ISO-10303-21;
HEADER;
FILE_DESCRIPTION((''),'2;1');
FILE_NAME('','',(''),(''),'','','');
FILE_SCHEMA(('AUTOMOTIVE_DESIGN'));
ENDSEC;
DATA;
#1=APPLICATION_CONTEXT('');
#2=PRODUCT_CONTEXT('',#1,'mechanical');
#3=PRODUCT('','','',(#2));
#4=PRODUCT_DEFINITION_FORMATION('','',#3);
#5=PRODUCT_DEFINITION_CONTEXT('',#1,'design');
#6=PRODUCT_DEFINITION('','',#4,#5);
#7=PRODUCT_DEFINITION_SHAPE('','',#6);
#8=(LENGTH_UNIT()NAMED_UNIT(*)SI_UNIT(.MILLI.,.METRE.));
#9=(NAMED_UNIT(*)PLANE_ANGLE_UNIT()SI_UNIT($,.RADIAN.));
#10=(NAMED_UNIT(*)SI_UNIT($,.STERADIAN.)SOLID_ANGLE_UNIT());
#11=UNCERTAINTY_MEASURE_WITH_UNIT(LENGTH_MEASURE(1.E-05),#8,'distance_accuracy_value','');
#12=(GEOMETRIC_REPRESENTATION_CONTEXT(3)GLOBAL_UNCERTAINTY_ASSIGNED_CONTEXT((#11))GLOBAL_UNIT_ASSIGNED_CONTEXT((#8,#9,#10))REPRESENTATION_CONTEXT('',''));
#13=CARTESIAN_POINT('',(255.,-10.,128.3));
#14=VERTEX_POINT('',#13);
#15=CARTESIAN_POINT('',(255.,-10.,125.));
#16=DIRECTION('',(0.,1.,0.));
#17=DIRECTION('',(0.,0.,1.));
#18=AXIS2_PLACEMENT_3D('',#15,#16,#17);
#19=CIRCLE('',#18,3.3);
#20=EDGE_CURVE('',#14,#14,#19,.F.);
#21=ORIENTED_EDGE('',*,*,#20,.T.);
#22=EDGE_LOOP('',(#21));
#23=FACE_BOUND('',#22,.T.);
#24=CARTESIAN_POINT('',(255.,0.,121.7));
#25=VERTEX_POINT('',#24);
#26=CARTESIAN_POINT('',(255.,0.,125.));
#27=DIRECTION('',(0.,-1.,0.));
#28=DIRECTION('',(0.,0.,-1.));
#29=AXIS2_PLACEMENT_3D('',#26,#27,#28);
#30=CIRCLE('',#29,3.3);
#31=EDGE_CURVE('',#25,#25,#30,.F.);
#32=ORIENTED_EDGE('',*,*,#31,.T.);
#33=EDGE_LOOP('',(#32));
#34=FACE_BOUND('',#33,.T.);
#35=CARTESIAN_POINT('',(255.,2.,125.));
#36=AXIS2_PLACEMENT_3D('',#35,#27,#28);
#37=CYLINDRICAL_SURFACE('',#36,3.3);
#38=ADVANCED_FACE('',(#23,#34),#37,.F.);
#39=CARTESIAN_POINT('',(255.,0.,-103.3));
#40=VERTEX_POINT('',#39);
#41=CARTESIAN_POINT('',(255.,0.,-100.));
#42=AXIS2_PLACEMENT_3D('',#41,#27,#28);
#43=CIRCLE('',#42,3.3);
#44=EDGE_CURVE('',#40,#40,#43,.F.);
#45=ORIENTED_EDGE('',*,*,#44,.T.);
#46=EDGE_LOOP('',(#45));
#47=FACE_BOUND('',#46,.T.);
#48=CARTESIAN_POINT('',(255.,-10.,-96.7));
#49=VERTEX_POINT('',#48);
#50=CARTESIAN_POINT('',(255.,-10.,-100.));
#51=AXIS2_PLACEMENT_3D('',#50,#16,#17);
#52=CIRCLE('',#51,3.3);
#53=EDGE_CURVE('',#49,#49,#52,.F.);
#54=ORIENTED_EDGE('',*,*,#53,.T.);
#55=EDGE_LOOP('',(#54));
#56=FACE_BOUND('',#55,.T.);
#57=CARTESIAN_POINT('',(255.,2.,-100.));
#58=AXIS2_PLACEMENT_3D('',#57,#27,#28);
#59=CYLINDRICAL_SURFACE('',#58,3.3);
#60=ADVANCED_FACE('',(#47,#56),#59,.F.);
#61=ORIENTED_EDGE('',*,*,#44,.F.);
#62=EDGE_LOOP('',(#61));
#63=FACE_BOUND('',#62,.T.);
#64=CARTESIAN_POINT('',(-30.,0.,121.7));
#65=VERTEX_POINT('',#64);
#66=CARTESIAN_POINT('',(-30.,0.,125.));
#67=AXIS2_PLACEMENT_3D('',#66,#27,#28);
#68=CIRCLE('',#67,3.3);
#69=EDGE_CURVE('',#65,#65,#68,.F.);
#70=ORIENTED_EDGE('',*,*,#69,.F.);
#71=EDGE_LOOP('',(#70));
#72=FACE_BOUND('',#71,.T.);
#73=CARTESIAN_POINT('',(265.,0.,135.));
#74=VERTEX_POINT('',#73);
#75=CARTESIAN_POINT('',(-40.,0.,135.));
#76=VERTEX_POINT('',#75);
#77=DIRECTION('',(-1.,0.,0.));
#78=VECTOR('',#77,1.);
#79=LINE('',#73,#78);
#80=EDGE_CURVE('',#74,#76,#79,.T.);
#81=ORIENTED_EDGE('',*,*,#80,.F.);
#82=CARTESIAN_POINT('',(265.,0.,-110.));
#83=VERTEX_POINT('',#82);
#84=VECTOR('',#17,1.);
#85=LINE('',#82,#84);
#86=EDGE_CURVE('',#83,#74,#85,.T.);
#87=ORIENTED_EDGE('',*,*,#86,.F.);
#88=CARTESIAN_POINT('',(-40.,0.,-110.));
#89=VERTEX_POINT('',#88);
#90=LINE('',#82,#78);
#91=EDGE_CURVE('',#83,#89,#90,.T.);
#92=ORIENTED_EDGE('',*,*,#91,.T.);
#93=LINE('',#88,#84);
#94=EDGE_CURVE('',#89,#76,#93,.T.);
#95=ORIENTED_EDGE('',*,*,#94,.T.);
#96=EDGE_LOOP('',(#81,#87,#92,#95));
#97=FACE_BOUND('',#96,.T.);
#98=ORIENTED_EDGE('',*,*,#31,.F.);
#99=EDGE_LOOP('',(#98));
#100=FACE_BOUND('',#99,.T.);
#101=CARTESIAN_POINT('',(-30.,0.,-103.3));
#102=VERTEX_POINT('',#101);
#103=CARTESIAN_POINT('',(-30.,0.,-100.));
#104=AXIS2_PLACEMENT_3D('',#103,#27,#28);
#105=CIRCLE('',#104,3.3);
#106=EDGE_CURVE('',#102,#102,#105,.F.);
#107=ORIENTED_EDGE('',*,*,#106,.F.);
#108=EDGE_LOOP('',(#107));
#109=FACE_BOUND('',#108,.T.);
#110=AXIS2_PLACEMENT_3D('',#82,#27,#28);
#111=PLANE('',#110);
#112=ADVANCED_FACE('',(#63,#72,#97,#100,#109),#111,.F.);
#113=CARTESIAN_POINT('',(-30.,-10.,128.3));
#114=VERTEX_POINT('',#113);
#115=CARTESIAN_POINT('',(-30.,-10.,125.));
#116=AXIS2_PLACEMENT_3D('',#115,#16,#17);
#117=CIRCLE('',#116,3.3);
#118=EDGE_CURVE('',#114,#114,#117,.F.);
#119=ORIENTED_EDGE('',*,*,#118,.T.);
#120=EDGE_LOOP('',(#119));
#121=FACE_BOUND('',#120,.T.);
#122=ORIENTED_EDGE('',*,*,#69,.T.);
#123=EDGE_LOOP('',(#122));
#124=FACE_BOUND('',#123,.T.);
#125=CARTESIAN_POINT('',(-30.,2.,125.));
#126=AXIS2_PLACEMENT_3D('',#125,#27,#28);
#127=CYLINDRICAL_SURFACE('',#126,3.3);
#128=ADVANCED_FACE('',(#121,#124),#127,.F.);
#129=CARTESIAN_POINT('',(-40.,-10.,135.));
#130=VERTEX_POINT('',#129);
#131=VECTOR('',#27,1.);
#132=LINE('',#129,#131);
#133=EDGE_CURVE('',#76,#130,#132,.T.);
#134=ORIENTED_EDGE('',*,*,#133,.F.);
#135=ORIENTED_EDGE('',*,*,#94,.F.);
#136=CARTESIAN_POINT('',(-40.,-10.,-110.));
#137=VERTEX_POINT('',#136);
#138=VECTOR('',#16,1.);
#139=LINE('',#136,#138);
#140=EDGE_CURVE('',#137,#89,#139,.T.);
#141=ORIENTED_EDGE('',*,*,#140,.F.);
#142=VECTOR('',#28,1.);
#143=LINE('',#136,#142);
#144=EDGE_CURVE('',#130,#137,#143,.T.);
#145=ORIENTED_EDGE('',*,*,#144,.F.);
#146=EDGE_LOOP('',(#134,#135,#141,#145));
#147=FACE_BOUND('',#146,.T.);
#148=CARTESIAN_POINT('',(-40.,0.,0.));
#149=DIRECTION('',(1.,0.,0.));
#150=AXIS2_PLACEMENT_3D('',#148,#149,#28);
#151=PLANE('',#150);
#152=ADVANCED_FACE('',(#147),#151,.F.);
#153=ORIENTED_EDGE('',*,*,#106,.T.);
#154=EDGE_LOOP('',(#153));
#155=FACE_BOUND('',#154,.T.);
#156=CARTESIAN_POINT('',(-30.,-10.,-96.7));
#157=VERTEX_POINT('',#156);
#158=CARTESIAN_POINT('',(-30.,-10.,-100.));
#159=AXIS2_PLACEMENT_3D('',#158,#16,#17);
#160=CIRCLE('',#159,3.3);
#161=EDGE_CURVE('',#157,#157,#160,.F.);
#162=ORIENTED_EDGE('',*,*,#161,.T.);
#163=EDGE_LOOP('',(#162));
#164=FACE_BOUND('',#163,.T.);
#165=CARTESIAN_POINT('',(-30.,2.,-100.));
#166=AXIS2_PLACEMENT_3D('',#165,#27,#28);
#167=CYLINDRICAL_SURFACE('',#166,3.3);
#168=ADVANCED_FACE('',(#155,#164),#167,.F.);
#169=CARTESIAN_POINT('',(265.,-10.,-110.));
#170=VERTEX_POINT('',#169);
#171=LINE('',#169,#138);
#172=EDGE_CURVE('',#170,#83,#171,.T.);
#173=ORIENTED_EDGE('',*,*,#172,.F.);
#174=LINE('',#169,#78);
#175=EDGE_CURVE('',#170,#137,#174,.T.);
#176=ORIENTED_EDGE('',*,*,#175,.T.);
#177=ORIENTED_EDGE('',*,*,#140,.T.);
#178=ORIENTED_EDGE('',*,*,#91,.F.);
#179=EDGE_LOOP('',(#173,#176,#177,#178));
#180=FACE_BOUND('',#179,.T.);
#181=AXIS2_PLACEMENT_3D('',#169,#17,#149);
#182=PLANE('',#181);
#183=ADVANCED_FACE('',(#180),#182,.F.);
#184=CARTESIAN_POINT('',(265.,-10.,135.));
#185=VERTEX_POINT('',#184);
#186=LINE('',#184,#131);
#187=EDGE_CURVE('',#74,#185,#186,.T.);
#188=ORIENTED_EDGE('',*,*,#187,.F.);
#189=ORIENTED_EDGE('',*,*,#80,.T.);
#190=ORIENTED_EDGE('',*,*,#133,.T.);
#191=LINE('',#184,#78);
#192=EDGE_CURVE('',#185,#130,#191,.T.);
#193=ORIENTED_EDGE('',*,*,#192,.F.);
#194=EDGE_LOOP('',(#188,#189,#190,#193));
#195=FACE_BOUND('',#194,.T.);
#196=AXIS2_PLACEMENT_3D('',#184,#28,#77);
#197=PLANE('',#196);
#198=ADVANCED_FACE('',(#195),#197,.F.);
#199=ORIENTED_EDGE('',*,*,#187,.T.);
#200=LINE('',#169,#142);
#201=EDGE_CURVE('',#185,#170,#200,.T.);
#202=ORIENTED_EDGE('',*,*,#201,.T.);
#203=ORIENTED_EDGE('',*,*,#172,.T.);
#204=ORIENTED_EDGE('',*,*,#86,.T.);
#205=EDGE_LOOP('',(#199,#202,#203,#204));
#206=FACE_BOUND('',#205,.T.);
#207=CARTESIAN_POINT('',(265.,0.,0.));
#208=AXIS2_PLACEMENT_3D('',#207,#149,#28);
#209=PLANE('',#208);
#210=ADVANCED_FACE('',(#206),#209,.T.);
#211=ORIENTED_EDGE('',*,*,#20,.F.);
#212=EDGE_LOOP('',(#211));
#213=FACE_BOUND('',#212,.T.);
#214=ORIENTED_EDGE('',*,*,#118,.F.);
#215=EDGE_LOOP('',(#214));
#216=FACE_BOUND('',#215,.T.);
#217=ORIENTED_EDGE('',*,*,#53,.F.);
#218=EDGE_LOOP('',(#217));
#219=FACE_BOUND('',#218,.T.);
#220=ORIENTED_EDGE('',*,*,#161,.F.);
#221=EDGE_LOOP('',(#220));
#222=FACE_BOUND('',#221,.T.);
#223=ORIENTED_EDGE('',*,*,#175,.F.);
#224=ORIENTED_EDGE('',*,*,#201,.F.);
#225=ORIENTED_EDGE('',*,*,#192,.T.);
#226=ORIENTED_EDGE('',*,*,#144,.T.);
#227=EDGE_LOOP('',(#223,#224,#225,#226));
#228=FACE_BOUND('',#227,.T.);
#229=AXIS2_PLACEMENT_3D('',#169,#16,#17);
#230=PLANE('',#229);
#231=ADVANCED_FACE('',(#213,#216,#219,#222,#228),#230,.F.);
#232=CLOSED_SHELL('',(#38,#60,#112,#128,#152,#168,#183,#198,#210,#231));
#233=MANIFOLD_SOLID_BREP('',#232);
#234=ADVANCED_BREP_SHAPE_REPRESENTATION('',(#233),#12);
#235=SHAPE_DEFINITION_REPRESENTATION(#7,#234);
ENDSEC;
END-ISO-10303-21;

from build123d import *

# Parameters (mm, degrees)
PLATE_START      = -40
SKETCH1_W        = 245
SKETCH1_H        = 10
PLATE_DEPTH      = 305
EXTRUDE_START    = -12
SKETCH2_R        = 3.3
EXTRUDE_H0_DEPTH = 14
SKETCH3_R        = 3.3
EXTRUDE_H1_DEPTH = 14
SKETCH4_R        = 3.3
EXTRUDE_H2_DEPTH = 14
SKETCH5_R        = 3.3
EXTRUDE_H3_DEPTH = 14


with BuildPart() as part:
    # Sketch1 → plate (new body)
    with BuildSketch(Plane(origin=(0, 0, 0), x_dir=(0, 0, -1), z_dir=(1, 0, 0)).offset(PLATE_START)):
        with Locations((-12.5, -5)):
            Rectangle(SKETCH1_W, SKETCH1_H)
    extrude(amount=PLATE_DEPTH)


with BuildPart() as body_2:
    # Sketch2 → Extrude h0 (new body)
    with BuildSketch(Plane(origin=(0, 0, 0), x_dir=(1, 0, 0), z_dir=(0, 1, 0)).offset(EXTRUDE_START)):
        with Locations((-30, 100)):
            Circle(SKETCH2_R)
    extrude(amount=EXTRUDE_H0_DEPTH)


with BuildPart() as part_1:
    add(part.part)

    # Combine1: cut body 2
    add(body_2.part, mode=Mode.SUBTRACT)


with BuildPart() as body_2_2:
    # Sketch3 → Extrude h1 (new body)
    with BuildSketch(Plane(origin=(0, 0, 0), x_dir=(1, 0, 0), z_dir=(0, 1, 0)).offset(EXTRUDE_START)):
        with Locations((-30, -125)):
            Circle(SKETCH3_R)
    extrude(amount=EXTRUDE_H1_DEPTH)


with BuildPart() as part_2:
    add(part_1.part)

    # Combine2: cut body 2 2
    add(body_2_2.part, mode=Mode.SUBTRACT)


with BuildPart() as body_2_3:
    # Sketch4 → Extrude h2 (new body)
    with BuildSketch(Plane(origin=(0, 0, 0), x_dir=(1, 0, 0), z_dir=(0, 1, 0)).offset(EXTRUDE_START)):
        with Locations((255, 100)):
            Circle(SKETCH4_R)
    extrude(amount=EXTRUDE_H2_DEPTH)


with BuildPart() as part_3:
    add(part_2.part)

    # Combine3: cut body 2 3
    add(body_2_3.part, mode=Mode.SUBTRACT)


with BuildPart() as body_2_4:
    # Sketch5 → Extrude h3 (new body)
    with BuildSketch(Plane(origin=(0, 0, 0), x_dir=(1, 0, 0), z_dir=(0, 1, 0)).offset(EXTRUDE_START)):
        with Locations((255, -125)):
            Circle(SKETCH5_R)
    extrude(amount=EXTRUDE_H3_DEPTH)


with BuildPart() as part_4:
    add(part_3.part)

    # Combine4: cut body 2 4
    add(body_2_4.part, mode=Mode.SUBTRACT)


solid = part_4.part
